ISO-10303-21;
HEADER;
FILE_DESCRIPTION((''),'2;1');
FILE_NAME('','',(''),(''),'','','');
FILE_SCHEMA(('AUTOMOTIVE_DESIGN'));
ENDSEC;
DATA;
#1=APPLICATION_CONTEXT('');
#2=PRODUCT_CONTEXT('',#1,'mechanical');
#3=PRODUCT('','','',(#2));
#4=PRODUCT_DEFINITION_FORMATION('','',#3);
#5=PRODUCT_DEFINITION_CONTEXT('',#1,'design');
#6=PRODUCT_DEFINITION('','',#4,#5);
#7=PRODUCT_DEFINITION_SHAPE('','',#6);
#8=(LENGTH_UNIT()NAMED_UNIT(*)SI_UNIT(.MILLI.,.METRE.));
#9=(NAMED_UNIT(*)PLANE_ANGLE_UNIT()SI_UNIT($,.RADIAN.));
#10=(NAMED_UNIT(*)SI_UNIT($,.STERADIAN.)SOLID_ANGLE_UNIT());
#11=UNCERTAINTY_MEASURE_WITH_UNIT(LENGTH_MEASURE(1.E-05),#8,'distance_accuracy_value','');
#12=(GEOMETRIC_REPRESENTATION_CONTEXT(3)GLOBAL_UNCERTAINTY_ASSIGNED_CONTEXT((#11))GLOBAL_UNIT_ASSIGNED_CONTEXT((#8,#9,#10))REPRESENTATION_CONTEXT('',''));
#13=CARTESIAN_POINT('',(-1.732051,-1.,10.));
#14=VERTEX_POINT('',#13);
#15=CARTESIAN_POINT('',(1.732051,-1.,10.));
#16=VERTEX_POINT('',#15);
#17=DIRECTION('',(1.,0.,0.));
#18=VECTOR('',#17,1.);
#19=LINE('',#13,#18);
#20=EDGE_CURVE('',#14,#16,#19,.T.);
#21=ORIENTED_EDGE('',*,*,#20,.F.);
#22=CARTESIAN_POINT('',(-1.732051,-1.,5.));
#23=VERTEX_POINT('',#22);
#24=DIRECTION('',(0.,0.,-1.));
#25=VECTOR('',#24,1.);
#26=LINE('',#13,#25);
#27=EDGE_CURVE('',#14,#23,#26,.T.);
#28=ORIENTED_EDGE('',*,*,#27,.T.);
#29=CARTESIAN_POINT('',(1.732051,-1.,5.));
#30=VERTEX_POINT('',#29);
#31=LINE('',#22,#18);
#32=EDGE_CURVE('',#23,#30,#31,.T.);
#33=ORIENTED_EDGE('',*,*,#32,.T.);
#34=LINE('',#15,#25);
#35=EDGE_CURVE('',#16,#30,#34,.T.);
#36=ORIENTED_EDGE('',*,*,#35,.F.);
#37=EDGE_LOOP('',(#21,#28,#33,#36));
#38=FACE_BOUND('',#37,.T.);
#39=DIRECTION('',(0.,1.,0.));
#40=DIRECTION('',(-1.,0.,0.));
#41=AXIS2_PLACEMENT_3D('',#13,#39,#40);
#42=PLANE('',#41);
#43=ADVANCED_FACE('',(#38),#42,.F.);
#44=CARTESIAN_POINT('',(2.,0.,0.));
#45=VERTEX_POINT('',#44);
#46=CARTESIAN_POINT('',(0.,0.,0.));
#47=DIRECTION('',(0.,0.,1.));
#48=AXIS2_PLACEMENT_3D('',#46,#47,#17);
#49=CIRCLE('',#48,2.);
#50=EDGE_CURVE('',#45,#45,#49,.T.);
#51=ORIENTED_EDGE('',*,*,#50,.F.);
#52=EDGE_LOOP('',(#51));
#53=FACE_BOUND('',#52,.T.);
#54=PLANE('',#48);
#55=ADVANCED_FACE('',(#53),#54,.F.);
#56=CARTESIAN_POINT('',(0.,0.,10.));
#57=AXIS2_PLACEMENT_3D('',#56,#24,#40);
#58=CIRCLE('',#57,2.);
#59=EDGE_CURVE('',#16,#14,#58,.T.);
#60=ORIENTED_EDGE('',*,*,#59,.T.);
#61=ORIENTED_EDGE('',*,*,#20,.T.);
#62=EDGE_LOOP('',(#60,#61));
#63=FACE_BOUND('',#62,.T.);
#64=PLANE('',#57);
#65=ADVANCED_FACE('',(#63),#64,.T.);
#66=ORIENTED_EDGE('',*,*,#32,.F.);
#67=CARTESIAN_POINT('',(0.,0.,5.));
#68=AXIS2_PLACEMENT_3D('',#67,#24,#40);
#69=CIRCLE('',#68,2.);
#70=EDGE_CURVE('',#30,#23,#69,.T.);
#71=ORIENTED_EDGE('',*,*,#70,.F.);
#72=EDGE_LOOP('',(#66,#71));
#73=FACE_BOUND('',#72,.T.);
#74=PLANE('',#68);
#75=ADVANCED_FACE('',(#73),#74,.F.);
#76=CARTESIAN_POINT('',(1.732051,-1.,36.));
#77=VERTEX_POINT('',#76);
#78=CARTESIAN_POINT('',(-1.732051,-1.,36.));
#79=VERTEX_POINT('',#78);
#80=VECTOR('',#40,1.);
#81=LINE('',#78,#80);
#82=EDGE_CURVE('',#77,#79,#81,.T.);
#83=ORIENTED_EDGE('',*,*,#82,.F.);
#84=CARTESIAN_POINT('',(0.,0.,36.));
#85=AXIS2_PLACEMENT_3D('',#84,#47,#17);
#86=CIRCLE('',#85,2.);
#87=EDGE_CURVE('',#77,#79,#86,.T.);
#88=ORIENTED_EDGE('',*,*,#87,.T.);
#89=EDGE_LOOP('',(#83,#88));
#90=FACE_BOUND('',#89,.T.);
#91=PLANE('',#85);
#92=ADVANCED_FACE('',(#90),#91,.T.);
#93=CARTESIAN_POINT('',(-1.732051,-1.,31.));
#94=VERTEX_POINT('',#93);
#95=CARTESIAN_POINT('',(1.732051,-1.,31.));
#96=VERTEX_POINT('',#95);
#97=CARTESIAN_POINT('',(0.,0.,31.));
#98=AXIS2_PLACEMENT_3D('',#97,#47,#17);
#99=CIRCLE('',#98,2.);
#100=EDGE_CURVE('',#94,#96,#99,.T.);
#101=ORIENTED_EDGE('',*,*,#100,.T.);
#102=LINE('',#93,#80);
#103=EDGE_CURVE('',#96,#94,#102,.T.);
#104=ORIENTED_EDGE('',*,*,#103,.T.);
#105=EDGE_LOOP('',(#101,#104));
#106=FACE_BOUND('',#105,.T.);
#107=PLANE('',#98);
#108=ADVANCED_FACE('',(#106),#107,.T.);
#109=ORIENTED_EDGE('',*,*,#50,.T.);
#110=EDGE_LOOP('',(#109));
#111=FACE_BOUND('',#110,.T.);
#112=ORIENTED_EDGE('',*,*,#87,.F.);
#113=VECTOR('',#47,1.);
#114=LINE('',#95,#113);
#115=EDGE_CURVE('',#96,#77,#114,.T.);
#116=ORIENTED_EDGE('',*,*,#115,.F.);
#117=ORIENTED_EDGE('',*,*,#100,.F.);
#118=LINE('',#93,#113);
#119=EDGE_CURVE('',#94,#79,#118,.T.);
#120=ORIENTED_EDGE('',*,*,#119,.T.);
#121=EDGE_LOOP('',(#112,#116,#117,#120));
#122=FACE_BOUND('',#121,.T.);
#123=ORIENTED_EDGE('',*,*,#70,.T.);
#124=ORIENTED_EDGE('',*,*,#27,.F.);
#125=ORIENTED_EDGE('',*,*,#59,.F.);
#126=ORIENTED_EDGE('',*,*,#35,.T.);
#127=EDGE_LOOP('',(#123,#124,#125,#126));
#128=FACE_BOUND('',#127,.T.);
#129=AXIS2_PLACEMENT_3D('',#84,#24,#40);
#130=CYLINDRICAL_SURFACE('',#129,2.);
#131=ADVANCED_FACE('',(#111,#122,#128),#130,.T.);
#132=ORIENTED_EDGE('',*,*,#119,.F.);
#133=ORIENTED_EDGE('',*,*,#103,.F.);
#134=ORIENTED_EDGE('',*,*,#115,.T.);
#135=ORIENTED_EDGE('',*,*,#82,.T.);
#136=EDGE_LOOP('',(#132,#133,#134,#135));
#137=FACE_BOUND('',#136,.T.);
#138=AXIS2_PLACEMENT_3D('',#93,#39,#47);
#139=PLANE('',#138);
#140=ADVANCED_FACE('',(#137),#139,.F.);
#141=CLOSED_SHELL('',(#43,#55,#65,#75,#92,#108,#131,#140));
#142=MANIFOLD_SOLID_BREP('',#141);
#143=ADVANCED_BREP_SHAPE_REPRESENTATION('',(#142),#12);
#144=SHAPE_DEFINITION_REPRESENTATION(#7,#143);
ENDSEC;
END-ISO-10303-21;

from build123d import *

# Parameters (mm, degrees)
SKETCH1_R           = 2
BOSS_EXTRUDE1_DEPTH = 36
CUT_EXTRUDE1_START  = -5
CUT_EXTRUDE1_DEPTH  = 5
CUT_EXTRUDE2_DEPTH  = 5


with BuildPart() as part:
    # Sketch1 → Boss-Extrude1 (new body)
    with BuildSketch(Plane.XY):
        Circle(SKETCH1_R)
    extrude(amount=BOSS_EXTRUDE1_DEPTH)

    # Sketch2 → Cut-Extrude1 (cut)
    with BuildSketch(Plane.XY.offset(36).offset(CUT_EXTRUDE1_START)):
        with BuildLine():
            Line((-1.732050808, -1), (1.732050808, -1))
            ThreePointArc((1.732050808, -1), (0, -2), (-1.732050808, -1))
        make_face()
    extrude(amount=CUT_EXTRUDE1_DEPTH, mode=Mode.SUBTRACT)

    # Sketch3 → Cut-Extrude2 (cut)
    with BuildSketch(Plane(origin=(0, 0, 5), x_dir=(-1, 0, 0), z_dir=(0, 0, -1))):
        with BuildLine():
            Line((1.732050808, -1), (-1.732050808, -1))
            ThreePointArc((-1.732050808, -1), (0, -2), (1.732050808, -1))
        make_face()
    extrude(amount=-CUT_EXTRUDE2_DEPTH, mode=Mode.SUBTRACT)


solid = part.part
